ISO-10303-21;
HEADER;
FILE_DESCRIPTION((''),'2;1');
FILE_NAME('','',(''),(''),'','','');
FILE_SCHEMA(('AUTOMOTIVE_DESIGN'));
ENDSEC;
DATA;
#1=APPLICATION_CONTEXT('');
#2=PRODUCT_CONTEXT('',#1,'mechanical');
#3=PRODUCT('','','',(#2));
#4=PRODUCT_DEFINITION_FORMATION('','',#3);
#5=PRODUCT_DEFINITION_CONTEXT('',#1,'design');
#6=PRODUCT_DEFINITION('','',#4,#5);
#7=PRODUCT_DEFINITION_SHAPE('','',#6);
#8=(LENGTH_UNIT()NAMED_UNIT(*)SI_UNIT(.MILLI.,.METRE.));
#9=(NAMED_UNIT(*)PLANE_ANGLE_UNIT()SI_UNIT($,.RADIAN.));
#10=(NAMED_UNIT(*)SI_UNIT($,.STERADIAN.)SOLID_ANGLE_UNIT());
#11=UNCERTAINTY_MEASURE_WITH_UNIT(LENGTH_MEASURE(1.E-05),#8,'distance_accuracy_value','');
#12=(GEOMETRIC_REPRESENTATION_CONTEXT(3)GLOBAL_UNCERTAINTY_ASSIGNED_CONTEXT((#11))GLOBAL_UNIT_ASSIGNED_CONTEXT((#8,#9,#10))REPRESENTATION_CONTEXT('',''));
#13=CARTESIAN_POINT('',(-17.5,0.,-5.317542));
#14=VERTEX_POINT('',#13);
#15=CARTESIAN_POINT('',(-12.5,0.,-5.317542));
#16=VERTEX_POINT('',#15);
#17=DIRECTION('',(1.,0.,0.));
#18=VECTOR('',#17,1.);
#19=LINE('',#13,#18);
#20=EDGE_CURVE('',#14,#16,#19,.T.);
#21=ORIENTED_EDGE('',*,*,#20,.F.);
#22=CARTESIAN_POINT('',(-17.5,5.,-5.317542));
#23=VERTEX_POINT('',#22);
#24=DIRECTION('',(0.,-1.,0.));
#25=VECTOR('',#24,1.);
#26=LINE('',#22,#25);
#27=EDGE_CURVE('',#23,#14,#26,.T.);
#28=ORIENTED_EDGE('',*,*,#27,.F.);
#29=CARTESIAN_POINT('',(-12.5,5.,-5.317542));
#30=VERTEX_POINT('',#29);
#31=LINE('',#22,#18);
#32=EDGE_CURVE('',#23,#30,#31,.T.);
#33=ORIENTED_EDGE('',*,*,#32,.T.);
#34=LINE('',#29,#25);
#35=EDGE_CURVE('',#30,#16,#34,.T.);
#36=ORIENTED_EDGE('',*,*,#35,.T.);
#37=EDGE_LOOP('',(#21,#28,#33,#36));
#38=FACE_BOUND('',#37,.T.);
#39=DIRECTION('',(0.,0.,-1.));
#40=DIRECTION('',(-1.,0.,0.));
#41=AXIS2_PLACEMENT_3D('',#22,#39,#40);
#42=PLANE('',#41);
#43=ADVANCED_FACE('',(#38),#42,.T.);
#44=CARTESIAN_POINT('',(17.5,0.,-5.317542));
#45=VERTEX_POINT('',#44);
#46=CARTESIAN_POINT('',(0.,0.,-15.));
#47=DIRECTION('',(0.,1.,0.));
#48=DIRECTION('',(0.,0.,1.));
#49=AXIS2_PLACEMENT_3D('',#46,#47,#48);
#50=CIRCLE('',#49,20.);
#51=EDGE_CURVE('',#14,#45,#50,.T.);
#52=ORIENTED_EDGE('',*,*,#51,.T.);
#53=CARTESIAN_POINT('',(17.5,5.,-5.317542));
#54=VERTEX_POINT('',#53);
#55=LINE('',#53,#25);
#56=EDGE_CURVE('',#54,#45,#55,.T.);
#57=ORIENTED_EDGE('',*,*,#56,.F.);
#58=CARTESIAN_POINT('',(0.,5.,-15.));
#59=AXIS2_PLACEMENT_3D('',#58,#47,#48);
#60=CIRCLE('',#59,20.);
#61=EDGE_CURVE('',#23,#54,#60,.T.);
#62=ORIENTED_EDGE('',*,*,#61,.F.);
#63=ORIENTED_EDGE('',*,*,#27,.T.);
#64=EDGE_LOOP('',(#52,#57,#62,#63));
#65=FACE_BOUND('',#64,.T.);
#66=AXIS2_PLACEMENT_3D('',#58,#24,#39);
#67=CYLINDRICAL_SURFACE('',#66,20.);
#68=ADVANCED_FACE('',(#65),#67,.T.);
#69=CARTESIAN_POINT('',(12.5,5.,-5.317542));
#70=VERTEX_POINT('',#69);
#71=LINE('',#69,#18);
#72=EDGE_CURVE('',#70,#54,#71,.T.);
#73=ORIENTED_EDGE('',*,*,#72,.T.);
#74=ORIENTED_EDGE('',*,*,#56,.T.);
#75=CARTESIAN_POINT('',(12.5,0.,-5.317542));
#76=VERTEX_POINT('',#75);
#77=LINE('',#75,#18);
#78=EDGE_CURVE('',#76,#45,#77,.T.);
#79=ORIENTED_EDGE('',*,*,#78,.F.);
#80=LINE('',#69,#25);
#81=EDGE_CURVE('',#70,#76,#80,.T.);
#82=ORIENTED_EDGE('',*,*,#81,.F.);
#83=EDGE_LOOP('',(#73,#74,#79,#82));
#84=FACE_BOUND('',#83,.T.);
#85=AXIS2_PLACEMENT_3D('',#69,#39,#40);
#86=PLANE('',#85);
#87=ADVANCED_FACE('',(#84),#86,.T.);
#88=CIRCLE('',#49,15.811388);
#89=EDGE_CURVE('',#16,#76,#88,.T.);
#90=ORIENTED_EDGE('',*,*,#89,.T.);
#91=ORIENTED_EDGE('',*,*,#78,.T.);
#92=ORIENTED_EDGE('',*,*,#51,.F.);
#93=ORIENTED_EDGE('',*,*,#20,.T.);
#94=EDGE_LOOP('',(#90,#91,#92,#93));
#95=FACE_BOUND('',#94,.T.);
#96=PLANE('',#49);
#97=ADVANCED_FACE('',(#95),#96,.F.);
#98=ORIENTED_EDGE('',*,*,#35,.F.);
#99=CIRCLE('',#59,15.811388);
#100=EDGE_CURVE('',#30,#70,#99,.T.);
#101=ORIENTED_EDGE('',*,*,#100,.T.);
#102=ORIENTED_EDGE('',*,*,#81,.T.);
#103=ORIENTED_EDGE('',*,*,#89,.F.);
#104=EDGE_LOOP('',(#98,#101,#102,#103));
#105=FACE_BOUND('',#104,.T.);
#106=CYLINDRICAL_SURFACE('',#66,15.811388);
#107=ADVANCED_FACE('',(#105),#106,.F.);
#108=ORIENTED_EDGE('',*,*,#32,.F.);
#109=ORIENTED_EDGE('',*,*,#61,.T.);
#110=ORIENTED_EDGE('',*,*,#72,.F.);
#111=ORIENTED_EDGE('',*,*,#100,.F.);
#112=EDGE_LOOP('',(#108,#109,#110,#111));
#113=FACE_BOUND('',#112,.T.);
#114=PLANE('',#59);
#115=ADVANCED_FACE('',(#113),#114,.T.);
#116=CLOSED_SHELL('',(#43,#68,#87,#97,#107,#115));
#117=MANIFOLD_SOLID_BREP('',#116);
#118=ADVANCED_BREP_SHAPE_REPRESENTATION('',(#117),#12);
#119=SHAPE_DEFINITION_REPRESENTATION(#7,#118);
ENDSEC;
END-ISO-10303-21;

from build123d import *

# Parameters (mm, degrees)
BOSS_EXTRUDE1_DEPTH = 5


with BuildPart() as part:
    # Sketch1 → Boss-Extrude1 (new body)
    with BuildSketch(Plane(origin=(0, 0, 0), x_dir=(1, 0, 0), z_dir=(0, 1, 0))):
        with BuildLine():
            Line((-17.5, 5.317541634), (-12.5, 5.317541634))
            ThreePointArc((-12.5, 5.317541634), (0, -0.811388301), (12.5, 5.317541634))
            Line((12.5, 5.317541634), (17.5, 5.317541634))
            ThreePointArc((17.5, 5.317541634), (0, -5), (-17.5, 5.317541634))
        make_face()
    extrude(amount=BOSS_EXTRUDE1_DEPTH)


solid = part.part
